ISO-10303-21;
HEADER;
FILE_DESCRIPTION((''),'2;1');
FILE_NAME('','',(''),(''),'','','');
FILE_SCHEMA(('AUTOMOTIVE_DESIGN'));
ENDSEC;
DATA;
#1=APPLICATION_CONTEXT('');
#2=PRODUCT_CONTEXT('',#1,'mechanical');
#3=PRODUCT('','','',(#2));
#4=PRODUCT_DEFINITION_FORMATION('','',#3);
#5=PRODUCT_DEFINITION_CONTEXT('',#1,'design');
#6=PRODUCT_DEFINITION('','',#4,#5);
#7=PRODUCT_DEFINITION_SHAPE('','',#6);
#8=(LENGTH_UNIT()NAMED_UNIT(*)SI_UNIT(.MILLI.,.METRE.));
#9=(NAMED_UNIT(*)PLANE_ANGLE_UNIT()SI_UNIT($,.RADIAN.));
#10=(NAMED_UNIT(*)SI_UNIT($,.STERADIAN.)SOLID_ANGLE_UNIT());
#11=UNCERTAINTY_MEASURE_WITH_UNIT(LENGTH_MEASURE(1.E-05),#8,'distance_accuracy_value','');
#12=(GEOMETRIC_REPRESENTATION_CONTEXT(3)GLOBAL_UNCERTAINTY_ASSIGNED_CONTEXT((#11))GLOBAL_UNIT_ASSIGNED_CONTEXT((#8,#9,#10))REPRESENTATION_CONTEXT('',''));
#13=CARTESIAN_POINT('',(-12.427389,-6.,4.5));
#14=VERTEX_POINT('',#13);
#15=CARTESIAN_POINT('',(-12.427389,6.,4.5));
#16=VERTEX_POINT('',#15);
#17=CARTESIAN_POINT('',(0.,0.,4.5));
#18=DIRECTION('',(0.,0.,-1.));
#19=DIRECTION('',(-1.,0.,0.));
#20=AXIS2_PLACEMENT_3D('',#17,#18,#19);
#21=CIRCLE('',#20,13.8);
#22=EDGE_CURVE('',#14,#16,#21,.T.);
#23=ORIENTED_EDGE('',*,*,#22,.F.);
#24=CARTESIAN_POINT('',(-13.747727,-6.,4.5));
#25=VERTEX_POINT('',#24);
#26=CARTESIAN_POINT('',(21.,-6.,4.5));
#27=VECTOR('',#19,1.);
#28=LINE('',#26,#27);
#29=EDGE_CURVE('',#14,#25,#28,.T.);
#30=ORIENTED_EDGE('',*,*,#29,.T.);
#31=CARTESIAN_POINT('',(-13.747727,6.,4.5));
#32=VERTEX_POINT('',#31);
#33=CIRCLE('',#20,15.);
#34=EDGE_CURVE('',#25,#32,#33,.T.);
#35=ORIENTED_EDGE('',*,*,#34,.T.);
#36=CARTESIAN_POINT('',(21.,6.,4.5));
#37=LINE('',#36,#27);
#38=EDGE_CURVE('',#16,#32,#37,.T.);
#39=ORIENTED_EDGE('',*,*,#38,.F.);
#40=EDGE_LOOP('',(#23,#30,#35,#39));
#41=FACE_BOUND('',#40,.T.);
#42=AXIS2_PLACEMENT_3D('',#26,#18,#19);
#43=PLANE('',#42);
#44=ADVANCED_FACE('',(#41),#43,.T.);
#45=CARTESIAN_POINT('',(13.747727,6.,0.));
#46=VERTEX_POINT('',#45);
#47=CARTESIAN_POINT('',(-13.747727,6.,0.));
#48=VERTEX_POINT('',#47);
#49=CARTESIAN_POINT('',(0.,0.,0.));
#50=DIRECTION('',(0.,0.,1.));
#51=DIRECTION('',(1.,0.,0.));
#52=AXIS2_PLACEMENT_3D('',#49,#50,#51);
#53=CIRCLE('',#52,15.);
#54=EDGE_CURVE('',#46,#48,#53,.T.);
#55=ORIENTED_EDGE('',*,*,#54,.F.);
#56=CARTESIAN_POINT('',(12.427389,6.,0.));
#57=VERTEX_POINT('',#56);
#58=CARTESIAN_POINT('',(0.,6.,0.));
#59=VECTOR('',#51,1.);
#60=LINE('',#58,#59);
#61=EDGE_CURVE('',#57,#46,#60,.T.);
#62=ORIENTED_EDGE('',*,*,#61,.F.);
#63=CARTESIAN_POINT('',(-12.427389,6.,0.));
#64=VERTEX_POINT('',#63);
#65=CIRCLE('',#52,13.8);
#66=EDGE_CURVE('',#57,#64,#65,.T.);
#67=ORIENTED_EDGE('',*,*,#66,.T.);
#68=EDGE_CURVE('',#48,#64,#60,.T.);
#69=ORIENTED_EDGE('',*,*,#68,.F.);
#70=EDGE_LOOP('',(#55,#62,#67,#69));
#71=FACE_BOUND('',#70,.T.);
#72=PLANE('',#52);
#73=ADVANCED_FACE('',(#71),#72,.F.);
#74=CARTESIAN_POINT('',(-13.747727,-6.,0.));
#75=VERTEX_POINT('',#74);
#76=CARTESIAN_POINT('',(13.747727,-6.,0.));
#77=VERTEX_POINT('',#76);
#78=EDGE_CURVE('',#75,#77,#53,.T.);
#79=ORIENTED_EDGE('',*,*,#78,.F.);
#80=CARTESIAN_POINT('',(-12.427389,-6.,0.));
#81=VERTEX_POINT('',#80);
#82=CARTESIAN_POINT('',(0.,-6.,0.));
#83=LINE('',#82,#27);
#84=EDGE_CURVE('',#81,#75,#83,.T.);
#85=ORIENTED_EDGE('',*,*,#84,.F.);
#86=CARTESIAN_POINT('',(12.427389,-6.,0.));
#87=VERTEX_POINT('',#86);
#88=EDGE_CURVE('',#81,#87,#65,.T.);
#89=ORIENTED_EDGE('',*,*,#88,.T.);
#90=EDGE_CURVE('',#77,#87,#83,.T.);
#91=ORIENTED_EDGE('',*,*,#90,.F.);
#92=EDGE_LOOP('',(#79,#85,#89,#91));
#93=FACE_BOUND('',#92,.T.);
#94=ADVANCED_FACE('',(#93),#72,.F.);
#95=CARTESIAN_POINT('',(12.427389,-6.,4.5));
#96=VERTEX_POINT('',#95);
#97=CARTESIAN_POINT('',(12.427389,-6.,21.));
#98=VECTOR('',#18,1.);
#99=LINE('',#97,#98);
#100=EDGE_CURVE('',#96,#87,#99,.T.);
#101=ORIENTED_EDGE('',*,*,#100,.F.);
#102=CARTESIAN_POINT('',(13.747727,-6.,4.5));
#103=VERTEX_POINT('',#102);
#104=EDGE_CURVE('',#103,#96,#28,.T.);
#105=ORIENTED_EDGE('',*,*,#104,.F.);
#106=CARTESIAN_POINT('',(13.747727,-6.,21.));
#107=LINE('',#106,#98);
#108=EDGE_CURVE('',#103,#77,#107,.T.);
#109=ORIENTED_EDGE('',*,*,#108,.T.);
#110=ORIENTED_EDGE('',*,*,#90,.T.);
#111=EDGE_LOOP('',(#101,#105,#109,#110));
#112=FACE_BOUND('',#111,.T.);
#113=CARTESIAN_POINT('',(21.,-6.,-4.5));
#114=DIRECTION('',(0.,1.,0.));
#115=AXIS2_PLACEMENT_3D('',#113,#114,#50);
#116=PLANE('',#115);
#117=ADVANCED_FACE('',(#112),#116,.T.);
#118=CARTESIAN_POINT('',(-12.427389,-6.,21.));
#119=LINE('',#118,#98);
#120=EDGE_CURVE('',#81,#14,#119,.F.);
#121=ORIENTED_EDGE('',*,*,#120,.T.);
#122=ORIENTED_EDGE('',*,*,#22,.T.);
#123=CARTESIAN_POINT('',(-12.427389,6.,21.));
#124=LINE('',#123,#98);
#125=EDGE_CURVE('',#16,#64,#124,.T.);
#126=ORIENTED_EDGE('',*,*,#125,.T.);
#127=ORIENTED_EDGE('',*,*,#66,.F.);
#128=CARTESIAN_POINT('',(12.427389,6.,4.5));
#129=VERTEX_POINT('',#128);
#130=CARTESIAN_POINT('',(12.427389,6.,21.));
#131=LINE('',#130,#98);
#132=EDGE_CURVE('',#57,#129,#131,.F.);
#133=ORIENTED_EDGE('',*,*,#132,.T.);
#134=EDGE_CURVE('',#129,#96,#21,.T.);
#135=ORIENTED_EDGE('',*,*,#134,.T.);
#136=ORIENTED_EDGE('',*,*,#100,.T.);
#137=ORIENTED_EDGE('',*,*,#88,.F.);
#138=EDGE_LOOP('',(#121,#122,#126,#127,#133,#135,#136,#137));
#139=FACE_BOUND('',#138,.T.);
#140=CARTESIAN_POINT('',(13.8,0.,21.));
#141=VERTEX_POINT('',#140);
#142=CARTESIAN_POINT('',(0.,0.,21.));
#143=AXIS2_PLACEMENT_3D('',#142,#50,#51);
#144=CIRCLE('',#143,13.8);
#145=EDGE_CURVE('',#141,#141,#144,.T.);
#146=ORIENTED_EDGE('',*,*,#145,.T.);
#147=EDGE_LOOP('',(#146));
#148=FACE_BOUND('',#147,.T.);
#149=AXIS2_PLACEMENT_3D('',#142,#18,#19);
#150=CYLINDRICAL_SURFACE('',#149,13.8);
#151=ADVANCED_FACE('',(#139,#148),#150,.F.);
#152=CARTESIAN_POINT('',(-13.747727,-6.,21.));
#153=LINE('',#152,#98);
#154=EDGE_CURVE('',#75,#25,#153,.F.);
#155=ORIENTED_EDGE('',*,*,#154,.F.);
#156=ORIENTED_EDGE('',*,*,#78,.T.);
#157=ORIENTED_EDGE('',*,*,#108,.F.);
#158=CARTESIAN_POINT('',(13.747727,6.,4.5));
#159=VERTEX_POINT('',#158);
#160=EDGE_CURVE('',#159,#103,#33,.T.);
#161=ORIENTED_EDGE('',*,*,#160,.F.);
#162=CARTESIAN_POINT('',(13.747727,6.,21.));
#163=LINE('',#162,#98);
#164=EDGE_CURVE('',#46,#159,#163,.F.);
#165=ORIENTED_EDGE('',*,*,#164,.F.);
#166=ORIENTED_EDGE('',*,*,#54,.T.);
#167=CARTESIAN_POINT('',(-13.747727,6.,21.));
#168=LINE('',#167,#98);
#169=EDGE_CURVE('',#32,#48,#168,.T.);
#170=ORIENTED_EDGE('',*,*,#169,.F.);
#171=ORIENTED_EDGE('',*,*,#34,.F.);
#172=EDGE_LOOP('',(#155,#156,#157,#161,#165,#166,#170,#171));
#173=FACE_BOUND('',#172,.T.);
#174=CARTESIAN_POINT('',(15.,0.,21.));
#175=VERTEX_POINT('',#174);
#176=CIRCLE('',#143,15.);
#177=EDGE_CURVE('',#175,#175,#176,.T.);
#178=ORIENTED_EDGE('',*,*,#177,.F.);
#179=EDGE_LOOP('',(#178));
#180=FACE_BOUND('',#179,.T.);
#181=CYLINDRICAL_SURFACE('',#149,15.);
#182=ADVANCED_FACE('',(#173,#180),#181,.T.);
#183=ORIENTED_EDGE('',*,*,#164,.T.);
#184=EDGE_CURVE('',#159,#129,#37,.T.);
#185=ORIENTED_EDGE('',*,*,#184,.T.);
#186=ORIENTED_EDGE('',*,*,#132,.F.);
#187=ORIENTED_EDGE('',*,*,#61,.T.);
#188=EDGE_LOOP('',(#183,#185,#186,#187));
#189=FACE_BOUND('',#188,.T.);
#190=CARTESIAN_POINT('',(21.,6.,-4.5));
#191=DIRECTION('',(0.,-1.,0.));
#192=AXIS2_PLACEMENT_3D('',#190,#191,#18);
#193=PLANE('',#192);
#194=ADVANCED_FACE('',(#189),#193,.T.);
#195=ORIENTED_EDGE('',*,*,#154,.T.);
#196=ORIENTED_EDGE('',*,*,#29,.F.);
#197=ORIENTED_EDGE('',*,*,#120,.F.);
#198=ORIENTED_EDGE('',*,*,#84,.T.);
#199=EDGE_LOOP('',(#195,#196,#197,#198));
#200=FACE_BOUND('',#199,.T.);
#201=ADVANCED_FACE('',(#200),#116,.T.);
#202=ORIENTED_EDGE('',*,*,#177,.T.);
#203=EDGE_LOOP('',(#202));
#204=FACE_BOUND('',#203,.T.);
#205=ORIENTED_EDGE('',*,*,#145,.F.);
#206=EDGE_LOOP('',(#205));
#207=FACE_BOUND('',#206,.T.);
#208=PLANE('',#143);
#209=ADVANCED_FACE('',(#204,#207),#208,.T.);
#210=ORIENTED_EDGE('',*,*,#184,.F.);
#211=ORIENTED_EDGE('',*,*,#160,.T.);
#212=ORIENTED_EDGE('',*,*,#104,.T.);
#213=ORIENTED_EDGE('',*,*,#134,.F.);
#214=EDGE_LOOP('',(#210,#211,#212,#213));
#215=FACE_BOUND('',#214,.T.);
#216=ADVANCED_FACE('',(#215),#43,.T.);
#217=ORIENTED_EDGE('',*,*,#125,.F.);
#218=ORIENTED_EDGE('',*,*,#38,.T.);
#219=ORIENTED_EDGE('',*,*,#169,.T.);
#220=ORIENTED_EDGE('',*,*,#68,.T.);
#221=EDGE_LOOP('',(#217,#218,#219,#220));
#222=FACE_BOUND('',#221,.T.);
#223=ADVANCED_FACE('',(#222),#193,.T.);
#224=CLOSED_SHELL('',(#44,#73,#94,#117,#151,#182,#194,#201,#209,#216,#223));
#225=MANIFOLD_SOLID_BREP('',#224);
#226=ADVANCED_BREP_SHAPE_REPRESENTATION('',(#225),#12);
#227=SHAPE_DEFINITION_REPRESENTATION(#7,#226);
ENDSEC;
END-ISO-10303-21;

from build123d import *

# Parameters (mm, degrees)
SKETCH_1_R               = 15
SKETCH_1_R_2             = 13.8
EXTRUDE_1_DEPTH          = 21
CUT_EXTRUDE_1_DEPTH      = 21
CUT_EXTRUDE_1_DEPTH_BACK = 21
SKETCH_2_W               = 9
SKETCH_2_H               = 12


with BuildPart() as part:
    # Эскиз1 → Бобышка-Вытянуть1 (new body)
    with BuildSketch(Plane.XY):
        Circle(SKETCH_1_R)
        Circle(SKETCH_1_R_2, mode=Mode.SUBTRACT)
    extrude(amount=EXTRUDE_1_DEPTH)

    # Эскиз2 → Вырез-Вытянуть1 (cut, two sides: drawn at the far end of the back side and taken through both)
    with BuildSketch(Plane(origin=(0, 0, 0), x_dir=(0, 0, -1), z_dir=(1, 0, 0)).offset(-CUT_EXTRUDE_1_DEPTH_BACK)):
        Rectangle(SKETCH_2_W, SKETCH_2_H)
    extrude(amount=CUT_EXTRUDE_1_DEPTH + CUT_EXTRUDE_1_DEPTH_BACK, mode=Mode.SUBTRACT)


solid = part.part
